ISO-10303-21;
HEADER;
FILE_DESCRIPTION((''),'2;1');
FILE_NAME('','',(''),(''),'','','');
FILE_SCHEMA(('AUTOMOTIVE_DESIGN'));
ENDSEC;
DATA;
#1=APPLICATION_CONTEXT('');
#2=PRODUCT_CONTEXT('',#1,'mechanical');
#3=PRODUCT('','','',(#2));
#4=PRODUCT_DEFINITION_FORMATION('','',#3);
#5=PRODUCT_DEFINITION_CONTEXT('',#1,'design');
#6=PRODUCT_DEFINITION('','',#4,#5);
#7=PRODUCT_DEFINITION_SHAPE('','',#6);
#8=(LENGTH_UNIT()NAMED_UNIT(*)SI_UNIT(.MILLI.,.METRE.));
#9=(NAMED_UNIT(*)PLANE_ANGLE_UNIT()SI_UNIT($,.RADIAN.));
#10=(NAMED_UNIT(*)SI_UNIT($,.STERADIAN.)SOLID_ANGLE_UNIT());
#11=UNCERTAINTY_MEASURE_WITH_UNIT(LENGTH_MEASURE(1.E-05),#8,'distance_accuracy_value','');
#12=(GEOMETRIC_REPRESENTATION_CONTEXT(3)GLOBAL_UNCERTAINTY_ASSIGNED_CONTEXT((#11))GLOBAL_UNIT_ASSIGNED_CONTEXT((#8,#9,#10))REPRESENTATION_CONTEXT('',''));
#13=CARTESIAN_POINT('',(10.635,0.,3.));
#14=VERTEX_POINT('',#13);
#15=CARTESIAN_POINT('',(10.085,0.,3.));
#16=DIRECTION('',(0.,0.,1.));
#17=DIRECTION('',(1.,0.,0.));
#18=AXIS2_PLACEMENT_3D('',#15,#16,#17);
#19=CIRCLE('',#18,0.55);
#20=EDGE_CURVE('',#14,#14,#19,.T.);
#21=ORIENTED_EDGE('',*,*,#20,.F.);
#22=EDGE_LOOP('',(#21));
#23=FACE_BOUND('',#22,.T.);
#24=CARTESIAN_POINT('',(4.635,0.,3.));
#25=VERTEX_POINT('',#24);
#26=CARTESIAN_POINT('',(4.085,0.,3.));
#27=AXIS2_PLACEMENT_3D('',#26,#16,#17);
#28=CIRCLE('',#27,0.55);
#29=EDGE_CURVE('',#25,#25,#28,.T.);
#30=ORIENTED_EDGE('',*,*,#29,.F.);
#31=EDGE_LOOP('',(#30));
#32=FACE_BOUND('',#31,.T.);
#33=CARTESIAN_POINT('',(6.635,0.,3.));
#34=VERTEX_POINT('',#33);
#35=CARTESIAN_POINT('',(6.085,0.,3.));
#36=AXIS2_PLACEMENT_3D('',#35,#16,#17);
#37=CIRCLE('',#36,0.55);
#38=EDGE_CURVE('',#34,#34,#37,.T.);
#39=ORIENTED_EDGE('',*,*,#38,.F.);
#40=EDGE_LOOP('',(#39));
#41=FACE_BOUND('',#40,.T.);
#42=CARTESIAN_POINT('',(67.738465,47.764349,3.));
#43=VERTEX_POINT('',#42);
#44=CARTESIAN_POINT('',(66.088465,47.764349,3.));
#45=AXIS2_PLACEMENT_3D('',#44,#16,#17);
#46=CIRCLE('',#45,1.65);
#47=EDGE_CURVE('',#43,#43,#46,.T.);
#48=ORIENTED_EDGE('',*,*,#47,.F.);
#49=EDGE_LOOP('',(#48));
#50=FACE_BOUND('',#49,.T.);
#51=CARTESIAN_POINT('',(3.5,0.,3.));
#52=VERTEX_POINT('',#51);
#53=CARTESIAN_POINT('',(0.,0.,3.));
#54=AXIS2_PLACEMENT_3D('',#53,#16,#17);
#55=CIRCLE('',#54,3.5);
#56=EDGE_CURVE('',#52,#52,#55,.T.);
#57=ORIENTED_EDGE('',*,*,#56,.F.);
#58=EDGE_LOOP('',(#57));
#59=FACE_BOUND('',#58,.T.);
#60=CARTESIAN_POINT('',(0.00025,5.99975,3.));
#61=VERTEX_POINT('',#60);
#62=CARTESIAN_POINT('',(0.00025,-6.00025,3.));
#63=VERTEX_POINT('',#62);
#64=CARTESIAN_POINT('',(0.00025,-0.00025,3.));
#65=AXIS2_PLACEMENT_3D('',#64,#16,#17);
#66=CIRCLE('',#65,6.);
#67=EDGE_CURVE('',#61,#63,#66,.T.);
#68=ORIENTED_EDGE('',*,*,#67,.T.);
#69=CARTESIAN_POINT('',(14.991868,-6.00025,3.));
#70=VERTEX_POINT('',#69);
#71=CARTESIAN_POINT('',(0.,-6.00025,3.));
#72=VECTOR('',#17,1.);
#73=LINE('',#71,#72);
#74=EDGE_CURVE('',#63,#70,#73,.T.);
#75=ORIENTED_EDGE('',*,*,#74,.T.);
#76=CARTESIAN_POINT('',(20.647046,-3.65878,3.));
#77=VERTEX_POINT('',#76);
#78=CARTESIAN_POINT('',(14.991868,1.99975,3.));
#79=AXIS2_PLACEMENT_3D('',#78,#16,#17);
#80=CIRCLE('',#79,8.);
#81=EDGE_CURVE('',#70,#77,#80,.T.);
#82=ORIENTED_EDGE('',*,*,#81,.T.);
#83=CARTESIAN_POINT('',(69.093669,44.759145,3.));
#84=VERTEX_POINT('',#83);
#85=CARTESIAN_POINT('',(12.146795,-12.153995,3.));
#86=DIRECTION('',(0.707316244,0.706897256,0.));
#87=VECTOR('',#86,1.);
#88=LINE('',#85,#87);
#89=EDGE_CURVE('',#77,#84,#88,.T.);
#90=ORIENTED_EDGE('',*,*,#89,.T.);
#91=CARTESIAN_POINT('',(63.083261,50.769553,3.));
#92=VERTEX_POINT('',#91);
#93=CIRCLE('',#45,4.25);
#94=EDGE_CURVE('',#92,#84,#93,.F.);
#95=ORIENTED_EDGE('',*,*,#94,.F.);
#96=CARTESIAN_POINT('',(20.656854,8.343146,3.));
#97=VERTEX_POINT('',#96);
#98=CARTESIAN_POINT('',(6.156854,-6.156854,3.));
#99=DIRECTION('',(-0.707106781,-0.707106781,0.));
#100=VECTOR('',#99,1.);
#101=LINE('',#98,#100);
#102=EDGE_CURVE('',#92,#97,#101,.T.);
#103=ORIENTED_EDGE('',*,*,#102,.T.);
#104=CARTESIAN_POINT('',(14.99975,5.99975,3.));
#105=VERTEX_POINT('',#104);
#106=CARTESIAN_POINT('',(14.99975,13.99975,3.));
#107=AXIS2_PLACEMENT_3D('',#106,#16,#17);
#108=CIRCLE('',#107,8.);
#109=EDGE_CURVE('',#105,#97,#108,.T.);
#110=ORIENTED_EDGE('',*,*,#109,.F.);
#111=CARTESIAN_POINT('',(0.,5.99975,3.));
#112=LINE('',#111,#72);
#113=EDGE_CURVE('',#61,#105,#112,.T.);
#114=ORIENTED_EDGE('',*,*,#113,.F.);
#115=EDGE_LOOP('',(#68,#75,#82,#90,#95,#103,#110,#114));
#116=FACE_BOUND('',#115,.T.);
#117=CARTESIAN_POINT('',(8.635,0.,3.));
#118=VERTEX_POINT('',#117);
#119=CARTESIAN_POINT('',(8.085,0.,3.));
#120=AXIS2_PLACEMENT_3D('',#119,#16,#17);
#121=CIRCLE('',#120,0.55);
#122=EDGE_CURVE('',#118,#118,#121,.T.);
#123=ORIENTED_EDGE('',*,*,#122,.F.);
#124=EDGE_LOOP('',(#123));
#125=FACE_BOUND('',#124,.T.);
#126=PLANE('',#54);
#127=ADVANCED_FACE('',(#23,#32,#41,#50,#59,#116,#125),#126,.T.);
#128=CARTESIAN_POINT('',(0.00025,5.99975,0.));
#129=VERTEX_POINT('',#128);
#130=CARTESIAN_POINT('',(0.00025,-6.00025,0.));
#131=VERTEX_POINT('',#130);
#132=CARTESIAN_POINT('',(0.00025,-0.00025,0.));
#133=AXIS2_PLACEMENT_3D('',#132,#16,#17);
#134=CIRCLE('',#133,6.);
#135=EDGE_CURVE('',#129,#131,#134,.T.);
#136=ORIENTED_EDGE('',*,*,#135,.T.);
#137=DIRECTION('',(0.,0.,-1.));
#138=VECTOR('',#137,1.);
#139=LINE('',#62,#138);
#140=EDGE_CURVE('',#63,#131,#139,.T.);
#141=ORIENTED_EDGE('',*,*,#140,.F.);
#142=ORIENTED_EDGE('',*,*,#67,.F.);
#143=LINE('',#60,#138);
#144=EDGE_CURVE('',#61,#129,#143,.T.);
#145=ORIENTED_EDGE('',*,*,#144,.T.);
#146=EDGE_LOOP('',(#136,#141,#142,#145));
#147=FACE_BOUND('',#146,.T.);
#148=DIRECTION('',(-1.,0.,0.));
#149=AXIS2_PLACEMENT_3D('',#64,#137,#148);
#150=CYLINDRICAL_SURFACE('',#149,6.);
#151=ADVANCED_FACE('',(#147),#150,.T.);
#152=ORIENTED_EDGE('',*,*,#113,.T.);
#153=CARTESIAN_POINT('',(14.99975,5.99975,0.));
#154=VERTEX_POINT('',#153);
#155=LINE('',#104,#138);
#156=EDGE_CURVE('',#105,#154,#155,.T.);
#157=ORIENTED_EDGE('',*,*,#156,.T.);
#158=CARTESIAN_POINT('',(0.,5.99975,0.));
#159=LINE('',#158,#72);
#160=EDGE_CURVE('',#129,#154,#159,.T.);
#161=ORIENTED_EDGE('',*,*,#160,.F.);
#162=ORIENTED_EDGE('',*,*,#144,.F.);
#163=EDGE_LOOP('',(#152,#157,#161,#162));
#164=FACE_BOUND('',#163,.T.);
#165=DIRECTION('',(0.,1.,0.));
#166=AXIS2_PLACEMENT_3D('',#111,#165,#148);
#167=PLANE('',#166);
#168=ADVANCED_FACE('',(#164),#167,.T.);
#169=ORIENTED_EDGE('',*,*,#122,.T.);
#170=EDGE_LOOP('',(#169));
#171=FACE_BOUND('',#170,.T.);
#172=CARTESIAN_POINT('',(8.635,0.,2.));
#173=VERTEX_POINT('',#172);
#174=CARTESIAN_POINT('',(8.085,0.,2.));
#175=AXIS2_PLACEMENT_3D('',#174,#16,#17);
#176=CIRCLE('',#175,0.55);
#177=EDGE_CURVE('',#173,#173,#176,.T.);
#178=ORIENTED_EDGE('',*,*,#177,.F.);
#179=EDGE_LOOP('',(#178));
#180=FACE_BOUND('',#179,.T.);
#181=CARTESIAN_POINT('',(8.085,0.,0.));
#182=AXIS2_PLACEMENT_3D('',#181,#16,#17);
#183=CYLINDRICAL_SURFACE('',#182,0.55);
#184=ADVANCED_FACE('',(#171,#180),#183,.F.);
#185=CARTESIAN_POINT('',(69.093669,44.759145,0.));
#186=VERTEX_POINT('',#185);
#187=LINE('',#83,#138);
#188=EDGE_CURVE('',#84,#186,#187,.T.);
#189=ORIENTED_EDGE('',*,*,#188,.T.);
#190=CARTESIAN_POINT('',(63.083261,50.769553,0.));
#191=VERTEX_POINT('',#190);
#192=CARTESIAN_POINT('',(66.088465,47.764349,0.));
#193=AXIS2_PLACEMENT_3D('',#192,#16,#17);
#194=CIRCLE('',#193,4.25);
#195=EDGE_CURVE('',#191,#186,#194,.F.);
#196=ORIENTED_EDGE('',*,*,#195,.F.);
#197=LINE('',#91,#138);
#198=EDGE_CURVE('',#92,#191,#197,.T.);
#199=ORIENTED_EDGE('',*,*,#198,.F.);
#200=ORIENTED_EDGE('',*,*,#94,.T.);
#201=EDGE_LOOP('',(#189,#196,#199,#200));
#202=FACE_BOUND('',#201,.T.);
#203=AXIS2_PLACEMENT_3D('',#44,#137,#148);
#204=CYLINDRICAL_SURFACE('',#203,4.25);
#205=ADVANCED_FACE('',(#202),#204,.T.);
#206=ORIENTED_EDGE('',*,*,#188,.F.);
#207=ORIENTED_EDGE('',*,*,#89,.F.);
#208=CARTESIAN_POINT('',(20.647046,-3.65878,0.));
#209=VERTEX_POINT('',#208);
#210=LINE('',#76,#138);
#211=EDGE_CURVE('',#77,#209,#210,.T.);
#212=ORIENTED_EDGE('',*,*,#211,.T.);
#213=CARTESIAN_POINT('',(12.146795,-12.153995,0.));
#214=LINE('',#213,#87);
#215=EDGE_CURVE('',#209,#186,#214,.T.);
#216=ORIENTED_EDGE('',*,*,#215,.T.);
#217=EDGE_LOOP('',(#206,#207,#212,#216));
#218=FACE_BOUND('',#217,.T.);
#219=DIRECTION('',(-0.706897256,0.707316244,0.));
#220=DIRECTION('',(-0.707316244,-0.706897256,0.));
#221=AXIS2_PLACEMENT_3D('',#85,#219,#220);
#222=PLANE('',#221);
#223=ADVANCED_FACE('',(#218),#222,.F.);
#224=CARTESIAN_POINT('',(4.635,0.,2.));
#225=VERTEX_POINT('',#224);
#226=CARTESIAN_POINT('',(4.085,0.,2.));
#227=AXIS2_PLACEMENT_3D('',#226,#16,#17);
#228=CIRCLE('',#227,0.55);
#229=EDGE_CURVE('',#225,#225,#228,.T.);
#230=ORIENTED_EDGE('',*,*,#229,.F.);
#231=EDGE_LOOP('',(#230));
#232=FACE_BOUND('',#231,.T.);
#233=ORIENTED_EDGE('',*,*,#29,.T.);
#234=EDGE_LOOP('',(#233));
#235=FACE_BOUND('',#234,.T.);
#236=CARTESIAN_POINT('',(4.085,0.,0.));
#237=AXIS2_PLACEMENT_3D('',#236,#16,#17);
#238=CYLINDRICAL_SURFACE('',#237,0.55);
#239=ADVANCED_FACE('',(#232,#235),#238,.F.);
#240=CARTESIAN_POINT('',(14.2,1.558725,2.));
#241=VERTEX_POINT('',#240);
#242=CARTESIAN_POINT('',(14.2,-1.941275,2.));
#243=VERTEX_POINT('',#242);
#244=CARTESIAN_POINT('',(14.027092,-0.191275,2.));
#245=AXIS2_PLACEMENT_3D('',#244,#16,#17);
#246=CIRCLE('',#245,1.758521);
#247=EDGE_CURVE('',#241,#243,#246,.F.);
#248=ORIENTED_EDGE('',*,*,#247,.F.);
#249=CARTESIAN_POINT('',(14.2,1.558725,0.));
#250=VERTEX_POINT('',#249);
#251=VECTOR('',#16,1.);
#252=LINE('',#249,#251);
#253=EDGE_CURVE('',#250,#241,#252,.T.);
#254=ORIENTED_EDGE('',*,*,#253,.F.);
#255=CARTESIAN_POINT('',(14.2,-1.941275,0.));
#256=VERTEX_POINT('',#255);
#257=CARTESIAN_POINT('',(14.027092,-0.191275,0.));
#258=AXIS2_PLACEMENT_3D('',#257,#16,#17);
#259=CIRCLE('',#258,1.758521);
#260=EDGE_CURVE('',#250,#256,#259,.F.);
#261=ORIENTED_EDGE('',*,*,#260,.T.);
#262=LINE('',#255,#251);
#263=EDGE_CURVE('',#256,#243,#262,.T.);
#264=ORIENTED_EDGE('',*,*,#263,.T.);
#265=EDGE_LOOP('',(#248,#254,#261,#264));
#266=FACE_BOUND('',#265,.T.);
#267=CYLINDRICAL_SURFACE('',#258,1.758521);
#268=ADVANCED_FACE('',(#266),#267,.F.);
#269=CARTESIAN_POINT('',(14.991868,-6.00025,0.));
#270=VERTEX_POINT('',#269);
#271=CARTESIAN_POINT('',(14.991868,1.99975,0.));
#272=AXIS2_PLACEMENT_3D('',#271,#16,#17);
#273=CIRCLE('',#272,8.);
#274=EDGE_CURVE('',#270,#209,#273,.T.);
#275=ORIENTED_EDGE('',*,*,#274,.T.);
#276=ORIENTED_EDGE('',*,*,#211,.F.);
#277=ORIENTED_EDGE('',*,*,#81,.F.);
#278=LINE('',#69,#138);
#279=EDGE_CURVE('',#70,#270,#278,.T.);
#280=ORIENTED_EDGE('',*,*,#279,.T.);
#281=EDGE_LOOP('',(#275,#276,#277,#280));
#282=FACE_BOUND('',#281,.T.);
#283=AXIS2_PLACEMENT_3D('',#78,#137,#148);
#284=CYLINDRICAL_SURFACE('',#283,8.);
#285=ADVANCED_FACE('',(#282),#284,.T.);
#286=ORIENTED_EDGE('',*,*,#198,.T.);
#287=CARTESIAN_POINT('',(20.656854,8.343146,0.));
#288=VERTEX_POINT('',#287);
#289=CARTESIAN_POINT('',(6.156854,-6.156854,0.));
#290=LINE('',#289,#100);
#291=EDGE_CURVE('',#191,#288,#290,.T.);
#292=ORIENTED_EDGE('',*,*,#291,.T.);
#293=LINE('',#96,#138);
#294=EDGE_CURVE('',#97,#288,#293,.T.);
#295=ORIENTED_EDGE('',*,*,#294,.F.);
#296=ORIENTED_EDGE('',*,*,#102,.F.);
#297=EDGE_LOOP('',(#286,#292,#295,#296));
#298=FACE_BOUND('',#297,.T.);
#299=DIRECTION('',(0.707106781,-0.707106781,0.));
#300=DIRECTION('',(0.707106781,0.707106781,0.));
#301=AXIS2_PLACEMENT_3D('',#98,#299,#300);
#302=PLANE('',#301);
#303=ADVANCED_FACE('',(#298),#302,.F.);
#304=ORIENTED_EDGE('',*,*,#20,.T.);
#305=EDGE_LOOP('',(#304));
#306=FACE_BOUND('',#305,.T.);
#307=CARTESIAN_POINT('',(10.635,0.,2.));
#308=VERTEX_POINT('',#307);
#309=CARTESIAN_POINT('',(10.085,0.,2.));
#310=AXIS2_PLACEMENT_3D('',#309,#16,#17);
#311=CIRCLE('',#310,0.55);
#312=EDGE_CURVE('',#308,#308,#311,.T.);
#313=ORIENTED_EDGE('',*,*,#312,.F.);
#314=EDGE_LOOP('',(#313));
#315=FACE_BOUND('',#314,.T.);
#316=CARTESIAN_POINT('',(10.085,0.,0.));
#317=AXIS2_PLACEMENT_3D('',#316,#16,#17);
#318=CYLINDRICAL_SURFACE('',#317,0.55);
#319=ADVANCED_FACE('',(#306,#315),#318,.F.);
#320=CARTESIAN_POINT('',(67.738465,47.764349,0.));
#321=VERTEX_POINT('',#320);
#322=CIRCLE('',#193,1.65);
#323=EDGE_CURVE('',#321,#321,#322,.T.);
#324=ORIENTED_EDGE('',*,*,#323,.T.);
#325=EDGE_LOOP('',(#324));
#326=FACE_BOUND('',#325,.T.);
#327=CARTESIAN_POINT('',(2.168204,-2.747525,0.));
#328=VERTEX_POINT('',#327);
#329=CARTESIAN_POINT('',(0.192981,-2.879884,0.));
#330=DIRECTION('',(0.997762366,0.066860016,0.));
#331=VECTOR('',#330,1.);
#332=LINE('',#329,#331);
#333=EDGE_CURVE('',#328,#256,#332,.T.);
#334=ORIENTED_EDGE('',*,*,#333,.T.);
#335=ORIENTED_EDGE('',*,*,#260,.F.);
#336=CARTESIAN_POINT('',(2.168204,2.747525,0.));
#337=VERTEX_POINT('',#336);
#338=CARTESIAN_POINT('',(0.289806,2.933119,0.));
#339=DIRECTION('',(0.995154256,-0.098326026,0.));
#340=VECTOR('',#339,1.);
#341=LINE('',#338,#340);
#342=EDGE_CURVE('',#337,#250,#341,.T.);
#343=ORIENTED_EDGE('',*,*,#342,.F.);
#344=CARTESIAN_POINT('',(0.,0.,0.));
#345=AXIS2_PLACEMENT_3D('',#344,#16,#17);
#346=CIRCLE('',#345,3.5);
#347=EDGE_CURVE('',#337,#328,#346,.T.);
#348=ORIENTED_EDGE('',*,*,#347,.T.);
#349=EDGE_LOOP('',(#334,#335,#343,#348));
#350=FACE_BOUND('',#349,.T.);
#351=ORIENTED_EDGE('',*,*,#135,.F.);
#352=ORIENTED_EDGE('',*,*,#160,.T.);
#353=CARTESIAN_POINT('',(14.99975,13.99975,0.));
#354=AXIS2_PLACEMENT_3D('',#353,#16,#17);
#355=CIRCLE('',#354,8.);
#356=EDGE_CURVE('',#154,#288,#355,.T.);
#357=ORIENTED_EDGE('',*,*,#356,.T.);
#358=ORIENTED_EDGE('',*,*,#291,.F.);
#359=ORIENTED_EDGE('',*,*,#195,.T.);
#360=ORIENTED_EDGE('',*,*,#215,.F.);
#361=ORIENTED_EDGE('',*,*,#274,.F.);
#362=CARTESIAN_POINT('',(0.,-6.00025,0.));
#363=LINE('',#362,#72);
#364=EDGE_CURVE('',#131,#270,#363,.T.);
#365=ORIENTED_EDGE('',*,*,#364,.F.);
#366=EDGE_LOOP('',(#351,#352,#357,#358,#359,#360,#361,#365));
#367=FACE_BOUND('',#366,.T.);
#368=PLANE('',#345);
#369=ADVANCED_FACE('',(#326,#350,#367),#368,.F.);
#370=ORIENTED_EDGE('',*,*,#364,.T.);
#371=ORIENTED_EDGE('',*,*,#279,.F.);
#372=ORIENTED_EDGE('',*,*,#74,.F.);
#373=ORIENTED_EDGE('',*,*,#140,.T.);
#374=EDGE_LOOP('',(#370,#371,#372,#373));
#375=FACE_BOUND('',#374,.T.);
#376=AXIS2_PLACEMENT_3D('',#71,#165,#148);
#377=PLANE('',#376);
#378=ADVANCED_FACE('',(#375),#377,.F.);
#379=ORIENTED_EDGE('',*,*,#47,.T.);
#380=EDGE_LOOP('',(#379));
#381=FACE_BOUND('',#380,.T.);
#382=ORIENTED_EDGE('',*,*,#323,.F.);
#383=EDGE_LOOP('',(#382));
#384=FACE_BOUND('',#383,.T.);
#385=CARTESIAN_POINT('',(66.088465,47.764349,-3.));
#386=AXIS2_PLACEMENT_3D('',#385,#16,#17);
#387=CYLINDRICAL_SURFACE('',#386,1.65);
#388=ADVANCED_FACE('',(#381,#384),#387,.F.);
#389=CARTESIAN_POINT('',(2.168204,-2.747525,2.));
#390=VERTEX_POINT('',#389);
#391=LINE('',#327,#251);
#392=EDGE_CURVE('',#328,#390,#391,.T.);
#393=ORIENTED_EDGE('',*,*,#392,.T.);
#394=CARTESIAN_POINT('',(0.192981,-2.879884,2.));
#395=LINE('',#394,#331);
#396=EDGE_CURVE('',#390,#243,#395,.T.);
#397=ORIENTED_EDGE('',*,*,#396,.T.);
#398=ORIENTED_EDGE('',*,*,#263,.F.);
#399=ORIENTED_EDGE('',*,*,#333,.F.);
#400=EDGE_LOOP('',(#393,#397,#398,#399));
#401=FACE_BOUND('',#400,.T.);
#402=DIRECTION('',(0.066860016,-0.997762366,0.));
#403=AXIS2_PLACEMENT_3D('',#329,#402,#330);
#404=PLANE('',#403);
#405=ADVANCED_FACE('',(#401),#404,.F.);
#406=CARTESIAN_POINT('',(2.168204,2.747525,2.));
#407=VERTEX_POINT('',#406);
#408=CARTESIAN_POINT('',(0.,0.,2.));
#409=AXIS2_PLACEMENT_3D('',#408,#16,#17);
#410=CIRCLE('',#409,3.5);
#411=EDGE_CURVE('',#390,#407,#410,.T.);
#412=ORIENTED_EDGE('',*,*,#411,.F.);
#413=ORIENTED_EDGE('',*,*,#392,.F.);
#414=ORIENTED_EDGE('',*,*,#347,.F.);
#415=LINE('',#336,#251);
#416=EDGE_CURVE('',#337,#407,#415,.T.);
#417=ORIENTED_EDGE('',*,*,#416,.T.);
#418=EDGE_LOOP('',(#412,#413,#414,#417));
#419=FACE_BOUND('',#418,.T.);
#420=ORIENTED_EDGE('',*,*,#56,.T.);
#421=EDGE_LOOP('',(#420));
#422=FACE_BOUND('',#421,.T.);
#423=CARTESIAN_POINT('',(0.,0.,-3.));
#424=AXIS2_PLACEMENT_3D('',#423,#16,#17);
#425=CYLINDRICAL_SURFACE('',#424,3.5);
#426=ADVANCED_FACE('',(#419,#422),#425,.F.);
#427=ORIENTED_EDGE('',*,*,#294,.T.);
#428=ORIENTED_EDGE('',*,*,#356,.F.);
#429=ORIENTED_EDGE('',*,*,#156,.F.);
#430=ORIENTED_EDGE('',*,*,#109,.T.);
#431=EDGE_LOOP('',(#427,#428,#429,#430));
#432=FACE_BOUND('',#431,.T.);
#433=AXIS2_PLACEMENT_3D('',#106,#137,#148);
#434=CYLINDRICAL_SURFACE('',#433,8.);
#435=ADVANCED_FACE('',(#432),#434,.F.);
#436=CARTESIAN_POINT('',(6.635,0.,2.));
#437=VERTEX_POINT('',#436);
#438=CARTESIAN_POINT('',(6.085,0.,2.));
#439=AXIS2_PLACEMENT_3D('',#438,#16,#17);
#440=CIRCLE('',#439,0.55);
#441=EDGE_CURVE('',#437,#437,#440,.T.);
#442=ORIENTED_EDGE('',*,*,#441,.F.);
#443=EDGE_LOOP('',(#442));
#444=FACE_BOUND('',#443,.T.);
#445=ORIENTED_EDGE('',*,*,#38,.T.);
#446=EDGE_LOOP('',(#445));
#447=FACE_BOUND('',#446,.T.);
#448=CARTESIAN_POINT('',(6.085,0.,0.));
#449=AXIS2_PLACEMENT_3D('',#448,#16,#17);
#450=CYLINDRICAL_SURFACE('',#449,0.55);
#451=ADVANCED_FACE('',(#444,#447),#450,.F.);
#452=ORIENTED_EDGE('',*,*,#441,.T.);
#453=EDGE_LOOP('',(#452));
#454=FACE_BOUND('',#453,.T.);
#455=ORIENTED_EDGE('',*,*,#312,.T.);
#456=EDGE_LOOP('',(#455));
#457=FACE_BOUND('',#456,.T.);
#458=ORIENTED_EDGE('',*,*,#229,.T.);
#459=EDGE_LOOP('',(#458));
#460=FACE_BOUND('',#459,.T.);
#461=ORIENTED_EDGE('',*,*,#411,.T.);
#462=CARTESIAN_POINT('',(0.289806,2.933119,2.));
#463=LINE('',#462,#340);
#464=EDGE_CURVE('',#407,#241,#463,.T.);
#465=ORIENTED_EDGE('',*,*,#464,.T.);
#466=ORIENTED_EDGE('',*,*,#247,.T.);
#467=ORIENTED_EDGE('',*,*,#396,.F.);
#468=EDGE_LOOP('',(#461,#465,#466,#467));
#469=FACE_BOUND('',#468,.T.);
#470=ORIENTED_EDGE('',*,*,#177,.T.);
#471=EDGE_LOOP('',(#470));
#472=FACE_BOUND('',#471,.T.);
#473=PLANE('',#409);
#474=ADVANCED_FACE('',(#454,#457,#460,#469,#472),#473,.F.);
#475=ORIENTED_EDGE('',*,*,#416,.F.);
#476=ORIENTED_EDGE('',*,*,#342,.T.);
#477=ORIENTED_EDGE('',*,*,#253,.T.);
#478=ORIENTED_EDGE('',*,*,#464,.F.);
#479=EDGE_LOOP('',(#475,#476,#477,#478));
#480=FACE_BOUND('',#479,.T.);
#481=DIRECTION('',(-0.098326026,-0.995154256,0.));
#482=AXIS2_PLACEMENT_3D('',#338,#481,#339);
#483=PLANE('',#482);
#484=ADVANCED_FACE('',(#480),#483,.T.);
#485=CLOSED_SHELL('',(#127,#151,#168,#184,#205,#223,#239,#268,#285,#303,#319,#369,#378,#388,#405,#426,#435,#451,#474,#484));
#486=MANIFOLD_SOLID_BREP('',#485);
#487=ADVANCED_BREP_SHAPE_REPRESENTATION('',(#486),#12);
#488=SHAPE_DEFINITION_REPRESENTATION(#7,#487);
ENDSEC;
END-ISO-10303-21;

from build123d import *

# Parameters (mm, degrees)
EXTRUDE_1_DEPTH      = 3
SKETCH_9_R           = 3.5
SKETCH_9_R_2         = 1.65
CUT_EXTRUDE_5_DEPTH  = 6
CUT_EXTRUDE_START    = -1
CUT_EXTRUDE_7_DEPTH  = 87.53280603
SKETCH_13_R          = 0.55
CUT_EXTRUDE_10_DEPTH = 88.53280603


with BuildPart() as part:
    # 草图1 → 凸台-拉伸1 (new body)
    with BuildSketch(Plane.XY):
        with BuildLine():
            Line((14.999750012, 5.999750001), (0.000249999, 5.999750001))
            ThreePointArc((0.000249999, 5.999750001), (-5.999750001, -0.000249999), (0.000249999, -6.000249999))
            Line((0.000249999, -6.000249999), (14.991867742, -6.000249999))
            ThreePointArc((14.991867742, -6.000249999), (18.052240297, -5.391739688), (20.647045788, -3.658779955))
            Line((20.647045788, -3.658779955), (69.093668761, 44.759144982))
            ThreePointArc((69.093668761, 44.759144982), (69.093668761, 50.769552622), (63.083261121, 50.769552622))
            Line((63.083261121, 50.769552622), (20.656854249, 8.343145751))
            ThreePointArc((20.656854249, 8.343145751), (18.061380786, 6.60878139), (14.999750012, 5.999750001))
        make_face()
    extrude(amount=EXTRUDE_1_DEPTH)

    # 草图9 → 切除-拉伸5 (cut)
    with BuildSketch(Plane.XY.offset(3)):
        Circle(SKETCH_9_R)
        with Locations((66.088464941, 47.764348802)):
            Circle(SKETCH_9_R_2)
    extrude(amount=-CUT_EXTRUDE_5_DEPTH, mode=Mode.SUBTRACT)

    # 草图9<4> → 切除-拉伸7 (cut, through all)
    with BuildSketch(Plane.XY.offset(3).offset(CUT_EXTRUDE_START)):
        with BuildLine():
            Line((14.2, 1.55872543), (2.168203804, 2.747524752))
            ThreePointArc((2.168203804, 2.747524752), (3.149501017, 1.526644472), (3.5, 0))
            ThreePointArc((3.5, 0), (3.149501017, -1.526644472), (2.168203804, -2.747524752))
            Line((2.168203804, -2.747524752), (14.2, -1.94127457))
            ThreePointArc((14.2, -1.94127457), (15.785612929, -0.19127457), (14.2, 1.55872543))
        make_face()
    extrude(amount=-CUT_EXTRUDE_7_DEPTH, mode=Mode.SUBTRACT)

    # 草图13 → 切除-拉伸10 (cut, through all)
    with BuildSketch(Plane.XY.offset(3)):
        with Locations((4.085, 0)):
            Circle(SKETCH_13_R)
        with Locations((6.085, 0)):
            Circle(SKETCH_13_R)
        with Locations((8.085, 0)):
            Circle(SKETCH_13_R)
        with Locations((10.085, 0)):
            Circle(SKETCH_13_R)
    extrude(amount=-CUT_EXTRUDE_10_DEPTH, mode=Mode.SUBTRACT)


solid = part.part
